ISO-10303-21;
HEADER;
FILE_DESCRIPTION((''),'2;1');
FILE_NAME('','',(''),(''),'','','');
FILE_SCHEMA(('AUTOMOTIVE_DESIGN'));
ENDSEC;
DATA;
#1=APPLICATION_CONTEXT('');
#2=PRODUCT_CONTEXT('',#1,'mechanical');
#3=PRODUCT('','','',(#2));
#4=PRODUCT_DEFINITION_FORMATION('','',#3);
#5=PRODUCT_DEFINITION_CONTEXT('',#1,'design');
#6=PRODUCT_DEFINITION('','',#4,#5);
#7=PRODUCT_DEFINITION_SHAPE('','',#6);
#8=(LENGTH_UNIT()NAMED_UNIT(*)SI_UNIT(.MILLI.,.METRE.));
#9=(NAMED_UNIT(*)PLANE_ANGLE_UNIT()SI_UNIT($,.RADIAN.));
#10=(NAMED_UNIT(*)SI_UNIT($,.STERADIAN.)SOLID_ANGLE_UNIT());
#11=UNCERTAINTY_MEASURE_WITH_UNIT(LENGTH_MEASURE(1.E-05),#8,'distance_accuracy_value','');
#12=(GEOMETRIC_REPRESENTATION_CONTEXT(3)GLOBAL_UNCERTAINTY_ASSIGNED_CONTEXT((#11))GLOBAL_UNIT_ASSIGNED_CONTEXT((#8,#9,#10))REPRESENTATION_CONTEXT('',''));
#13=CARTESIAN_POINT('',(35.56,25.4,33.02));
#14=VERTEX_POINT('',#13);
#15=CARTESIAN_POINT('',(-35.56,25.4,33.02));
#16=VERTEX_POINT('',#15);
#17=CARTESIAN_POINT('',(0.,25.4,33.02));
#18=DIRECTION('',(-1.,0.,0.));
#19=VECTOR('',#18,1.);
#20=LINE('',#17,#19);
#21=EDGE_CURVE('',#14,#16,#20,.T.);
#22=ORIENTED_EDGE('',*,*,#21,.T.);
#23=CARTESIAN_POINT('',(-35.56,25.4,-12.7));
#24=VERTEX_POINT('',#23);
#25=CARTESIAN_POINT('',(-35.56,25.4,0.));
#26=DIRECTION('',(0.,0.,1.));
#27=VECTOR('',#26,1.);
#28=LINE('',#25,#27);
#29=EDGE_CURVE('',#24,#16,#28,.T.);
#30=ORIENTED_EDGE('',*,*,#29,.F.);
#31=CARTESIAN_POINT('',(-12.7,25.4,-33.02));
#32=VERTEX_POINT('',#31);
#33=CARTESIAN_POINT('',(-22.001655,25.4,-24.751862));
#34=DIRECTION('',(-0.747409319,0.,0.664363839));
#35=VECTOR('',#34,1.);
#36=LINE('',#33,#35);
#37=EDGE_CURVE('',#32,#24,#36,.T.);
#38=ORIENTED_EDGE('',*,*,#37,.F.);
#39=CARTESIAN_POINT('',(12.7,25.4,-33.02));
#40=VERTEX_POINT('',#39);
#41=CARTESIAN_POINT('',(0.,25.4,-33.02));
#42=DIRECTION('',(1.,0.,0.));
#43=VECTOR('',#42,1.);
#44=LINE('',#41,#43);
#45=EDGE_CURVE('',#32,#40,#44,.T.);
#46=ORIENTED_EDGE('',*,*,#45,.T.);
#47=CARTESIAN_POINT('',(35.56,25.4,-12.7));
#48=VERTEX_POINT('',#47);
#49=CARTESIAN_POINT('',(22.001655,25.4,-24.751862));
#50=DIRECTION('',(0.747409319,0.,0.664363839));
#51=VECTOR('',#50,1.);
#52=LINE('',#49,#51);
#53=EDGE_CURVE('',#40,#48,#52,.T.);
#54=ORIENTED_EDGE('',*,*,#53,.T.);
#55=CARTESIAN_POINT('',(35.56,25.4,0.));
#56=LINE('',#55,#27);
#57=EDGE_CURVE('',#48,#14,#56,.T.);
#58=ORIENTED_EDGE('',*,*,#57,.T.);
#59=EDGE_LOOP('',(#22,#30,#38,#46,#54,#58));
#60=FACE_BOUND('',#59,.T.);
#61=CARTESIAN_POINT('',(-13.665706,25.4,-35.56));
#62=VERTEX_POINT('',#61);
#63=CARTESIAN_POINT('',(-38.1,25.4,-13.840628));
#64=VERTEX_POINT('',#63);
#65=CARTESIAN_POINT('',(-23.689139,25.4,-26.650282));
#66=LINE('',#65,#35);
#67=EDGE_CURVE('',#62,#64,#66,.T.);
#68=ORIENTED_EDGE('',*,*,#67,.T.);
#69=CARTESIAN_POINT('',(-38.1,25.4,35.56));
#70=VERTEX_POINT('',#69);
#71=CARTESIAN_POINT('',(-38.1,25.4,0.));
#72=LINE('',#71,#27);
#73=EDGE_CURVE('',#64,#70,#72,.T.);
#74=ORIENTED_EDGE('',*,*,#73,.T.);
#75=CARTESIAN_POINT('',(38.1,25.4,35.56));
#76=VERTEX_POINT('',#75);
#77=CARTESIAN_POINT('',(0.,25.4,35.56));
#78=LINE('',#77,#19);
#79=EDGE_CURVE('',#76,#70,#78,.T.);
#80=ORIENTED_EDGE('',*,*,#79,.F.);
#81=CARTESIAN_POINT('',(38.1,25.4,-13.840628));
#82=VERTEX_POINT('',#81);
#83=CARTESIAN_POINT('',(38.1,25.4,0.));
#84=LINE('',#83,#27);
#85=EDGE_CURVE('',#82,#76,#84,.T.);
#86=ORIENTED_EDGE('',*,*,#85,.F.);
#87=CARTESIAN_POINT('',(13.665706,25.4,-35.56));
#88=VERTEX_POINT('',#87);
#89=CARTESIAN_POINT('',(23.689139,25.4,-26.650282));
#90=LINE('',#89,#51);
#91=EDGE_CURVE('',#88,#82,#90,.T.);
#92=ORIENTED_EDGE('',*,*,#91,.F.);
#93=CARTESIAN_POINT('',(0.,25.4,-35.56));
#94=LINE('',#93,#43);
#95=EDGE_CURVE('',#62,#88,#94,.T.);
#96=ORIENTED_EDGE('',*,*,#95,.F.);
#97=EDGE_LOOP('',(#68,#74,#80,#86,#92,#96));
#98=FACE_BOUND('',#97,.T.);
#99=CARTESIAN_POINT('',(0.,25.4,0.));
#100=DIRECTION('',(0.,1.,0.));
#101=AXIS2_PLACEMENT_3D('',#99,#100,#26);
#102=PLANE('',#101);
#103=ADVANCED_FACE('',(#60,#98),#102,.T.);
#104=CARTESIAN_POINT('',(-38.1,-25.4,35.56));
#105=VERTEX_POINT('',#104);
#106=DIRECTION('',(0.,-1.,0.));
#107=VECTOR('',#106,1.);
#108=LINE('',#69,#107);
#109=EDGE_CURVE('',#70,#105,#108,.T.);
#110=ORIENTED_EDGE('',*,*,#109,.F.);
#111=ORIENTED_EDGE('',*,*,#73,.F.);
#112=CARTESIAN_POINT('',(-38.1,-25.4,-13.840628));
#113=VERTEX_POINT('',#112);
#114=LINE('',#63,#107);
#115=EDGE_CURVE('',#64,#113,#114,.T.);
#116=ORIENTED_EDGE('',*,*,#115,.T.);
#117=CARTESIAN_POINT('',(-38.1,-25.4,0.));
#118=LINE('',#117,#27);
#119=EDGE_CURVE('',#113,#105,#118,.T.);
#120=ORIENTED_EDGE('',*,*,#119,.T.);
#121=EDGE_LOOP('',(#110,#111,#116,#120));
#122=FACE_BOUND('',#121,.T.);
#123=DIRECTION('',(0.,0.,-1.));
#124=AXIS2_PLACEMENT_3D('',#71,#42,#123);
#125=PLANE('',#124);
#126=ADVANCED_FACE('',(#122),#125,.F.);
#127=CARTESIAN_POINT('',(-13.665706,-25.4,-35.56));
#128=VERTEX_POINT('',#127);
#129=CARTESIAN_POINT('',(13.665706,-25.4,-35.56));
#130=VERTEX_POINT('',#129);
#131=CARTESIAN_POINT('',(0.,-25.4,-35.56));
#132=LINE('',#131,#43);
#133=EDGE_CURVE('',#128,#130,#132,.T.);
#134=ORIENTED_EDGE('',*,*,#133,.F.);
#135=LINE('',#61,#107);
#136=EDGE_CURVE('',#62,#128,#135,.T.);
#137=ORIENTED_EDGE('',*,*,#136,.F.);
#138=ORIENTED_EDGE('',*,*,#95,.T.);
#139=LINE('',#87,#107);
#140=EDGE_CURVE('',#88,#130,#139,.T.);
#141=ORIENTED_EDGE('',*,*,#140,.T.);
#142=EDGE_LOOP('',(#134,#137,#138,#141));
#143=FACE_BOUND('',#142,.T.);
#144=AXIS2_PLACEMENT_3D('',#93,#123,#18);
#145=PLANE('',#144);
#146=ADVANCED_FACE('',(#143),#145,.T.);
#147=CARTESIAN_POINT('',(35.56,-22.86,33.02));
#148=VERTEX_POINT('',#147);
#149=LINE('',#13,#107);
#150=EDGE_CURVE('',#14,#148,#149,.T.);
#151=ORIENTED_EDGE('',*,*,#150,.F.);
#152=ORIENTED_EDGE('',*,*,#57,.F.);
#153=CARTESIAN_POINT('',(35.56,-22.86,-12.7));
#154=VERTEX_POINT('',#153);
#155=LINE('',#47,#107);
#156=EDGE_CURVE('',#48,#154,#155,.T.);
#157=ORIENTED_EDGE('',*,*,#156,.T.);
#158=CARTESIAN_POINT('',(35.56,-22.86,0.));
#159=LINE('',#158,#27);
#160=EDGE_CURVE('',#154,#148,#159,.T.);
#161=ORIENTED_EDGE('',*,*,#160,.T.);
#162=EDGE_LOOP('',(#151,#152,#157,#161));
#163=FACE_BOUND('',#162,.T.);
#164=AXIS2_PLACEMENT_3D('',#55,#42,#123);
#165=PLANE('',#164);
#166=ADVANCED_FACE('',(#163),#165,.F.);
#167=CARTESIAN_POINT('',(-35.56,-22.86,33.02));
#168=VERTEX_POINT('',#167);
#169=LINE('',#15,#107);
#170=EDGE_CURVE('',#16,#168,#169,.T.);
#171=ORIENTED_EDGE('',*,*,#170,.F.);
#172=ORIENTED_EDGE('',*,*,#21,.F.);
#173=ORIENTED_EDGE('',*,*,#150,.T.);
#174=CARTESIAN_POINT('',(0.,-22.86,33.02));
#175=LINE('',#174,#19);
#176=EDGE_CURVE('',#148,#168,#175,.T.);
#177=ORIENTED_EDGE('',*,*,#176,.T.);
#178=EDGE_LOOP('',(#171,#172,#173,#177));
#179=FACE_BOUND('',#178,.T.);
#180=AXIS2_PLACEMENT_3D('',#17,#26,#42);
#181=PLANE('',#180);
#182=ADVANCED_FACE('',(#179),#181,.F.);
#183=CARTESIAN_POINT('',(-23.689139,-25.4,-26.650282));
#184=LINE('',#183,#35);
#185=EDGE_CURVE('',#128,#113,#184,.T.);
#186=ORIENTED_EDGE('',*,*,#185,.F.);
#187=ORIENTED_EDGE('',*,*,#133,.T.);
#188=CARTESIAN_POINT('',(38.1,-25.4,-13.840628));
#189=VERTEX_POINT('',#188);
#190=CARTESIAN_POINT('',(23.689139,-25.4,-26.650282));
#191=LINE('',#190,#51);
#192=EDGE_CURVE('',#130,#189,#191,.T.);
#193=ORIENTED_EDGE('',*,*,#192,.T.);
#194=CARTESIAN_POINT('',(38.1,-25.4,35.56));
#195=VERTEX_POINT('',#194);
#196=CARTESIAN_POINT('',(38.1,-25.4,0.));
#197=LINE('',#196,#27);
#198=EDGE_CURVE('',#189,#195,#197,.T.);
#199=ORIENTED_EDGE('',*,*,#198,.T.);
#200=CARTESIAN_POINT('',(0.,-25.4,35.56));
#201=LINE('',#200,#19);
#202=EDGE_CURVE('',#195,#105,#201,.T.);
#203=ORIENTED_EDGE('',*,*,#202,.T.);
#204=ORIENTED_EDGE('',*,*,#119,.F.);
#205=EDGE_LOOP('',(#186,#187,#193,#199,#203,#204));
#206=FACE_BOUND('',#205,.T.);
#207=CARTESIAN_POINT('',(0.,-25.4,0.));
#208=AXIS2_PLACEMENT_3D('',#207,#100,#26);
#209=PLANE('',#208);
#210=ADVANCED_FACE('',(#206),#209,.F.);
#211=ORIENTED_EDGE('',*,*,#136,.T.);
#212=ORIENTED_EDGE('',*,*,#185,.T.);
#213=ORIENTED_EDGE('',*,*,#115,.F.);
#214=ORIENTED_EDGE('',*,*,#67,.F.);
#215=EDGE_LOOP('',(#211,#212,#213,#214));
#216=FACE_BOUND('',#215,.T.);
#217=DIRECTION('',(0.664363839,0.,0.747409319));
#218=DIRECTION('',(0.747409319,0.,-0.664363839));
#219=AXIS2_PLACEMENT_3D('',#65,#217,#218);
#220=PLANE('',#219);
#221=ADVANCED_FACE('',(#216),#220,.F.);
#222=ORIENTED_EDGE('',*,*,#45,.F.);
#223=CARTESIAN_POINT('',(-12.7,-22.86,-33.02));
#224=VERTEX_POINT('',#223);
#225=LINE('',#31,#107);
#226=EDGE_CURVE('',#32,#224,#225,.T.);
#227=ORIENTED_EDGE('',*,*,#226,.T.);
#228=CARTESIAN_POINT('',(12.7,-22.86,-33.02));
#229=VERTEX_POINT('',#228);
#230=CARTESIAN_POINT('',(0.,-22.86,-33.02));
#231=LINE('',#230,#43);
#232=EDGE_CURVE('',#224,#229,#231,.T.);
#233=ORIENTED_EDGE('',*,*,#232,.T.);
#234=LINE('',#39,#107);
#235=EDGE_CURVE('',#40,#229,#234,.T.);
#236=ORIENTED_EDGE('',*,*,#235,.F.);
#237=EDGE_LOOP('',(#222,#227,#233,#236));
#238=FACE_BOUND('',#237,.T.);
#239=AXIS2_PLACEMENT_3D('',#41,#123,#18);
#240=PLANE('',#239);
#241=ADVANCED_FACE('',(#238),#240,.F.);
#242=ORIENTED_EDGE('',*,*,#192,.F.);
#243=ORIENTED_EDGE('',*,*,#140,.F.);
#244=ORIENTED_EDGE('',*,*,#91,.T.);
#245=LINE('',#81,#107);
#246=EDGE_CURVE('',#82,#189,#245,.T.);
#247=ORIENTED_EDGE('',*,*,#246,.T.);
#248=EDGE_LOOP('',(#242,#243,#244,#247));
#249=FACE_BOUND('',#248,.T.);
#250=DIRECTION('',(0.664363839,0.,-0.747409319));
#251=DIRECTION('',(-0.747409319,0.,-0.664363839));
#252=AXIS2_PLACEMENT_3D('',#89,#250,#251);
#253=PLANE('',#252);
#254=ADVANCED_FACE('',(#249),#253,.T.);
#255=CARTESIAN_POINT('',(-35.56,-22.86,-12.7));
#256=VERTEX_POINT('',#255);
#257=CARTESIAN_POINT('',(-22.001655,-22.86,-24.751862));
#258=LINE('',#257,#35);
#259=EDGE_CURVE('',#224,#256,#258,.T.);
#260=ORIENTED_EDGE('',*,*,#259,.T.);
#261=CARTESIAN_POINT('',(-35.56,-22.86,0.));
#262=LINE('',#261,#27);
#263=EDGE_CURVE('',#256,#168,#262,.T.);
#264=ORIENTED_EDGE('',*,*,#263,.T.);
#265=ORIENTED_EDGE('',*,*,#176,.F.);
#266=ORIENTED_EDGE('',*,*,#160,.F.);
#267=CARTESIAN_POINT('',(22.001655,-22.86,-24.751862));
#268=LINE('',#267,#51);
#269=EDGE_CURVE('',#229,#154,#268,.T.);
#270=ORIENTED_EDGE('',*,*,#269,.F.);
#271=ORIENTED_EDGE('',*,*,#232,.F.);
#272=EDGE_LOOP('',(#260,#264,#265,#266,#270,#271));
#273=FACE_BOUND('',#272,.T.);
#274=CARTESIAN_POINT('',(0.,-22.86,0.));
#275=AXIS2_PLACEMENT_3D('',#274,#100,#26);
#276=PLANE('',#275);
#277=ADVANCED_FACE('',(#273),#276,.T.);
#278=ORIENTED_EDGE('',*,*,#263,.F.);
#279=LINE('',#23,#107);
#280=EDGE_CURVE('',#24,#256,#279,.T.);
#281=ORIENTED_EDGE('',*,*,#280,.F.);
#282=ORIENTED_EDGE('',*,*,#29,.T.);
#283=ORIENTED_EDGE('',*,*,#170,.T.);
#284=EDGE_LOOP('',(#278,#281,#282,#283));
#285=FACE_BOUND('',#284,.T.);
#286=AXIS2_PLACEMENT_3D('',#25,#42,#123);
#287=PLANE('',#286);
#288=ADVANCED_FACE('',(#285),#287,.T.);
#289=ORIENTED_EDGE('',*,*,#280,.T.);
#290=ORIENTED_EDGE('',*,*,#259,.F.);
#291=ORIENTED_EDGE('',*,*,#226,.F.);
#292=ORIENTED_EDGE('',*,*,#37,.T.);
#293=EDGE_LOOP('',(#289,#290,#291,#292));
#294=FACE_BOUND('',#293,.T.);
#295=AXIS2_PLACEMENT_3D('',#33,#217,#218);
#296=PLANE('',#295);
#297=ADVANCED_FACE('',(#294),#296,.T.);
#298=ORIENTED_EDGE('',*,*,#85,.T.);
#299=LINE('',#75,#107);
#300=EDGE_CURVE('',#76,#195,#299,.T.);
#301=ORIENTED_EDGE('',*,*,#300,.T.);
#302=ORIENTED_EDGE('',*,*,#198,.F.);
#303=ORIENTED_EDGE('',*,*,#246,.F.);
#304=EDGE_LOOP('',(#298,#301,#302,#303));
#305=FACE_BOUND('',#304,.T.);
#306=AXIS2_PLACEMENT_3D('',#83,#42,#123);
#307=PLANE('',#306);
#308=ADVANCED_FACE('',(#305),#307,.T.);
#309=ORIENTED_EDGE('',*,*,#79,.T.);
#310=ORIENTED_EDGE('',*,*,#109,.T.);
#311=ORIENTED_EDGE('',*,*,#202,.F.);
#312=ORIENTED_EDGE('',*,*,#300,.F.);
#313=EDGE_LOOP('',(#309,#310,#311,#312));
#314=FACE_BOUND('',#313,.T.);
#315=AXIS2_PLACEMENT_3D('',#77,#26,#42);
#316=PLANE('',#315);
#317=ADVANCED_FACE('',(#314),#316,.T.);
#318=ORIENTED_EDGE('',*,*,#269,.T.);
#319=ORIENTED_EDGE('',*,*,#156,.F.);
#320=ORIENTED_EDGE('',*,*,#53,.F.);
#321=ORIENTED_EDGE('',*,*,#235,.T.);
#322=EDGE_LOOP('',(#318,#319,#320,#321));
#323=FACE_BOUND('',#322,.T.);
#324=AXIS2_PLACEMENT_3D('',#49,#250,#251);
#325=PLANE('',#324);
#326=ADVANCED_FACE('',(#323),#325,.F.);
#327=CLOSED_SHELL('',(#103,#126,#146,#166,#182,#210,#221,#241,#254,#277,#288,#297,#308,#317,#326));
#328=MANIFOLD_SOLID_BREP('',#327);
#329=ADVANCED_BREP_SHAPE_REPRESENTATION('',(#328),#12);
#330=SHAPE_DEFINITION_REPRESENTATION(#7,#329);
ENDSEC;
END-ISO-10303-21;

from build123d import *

# Parameters (mm, degrees)
BOSS_EXTRUDE1_DEPTH = 25.4
SHELL1_T            = -2.54


with BuildPart() as part:
    # Sketch2 → Boss-Extrude1 (new, symmetric)
    # profile 1 of 2: a face of its own
    with BuildSketch(Plane(origin=(0, 0, 0), x_dir=(1, 0, 0), z_dir=(0, 1, 0))):
        Polygon((13.665706279, 35.56), (38.1, 13.840627803), (38.1, -35.56), (-38.1, -35.56), (-38.1, 13.840627803), (-13.665706279, 35.56), align=None)
        Polygon((12.7, 33.02), (35.56, 12.7), (35.56, -33.02), (-35.56, -33.02), (-35.56, 12.7), (-12.7, 33.02), align=None, mode=Mode.SUBTRACT)
    # profile 2 of 2: a face of its own
    with BuildSketch(Plane(origin=(0, 0, 0), x_dir=(1, 0, 0), z_dir=(0, 1, 0))):
        Polygon((35.56, 12.7), (35.56, -33.02), (-35.56, -33.02), (-35.56, 12.7), (-12.7, 33.02), (12.7, 33.02), align=None)
    extrude(amount=BOSS_EXTRUDE1_DEPTH, both=True)

    # Shell1
    shell1_openings = [part.faces().sort_by_distance(p)[0] for p in [
        (0, 25.4, 3.07436115),
    ]]
    offset(amount=SHELL1_T, openings=shell1_openings, kind=Kind.INTERSECTION)


solid = part.part
